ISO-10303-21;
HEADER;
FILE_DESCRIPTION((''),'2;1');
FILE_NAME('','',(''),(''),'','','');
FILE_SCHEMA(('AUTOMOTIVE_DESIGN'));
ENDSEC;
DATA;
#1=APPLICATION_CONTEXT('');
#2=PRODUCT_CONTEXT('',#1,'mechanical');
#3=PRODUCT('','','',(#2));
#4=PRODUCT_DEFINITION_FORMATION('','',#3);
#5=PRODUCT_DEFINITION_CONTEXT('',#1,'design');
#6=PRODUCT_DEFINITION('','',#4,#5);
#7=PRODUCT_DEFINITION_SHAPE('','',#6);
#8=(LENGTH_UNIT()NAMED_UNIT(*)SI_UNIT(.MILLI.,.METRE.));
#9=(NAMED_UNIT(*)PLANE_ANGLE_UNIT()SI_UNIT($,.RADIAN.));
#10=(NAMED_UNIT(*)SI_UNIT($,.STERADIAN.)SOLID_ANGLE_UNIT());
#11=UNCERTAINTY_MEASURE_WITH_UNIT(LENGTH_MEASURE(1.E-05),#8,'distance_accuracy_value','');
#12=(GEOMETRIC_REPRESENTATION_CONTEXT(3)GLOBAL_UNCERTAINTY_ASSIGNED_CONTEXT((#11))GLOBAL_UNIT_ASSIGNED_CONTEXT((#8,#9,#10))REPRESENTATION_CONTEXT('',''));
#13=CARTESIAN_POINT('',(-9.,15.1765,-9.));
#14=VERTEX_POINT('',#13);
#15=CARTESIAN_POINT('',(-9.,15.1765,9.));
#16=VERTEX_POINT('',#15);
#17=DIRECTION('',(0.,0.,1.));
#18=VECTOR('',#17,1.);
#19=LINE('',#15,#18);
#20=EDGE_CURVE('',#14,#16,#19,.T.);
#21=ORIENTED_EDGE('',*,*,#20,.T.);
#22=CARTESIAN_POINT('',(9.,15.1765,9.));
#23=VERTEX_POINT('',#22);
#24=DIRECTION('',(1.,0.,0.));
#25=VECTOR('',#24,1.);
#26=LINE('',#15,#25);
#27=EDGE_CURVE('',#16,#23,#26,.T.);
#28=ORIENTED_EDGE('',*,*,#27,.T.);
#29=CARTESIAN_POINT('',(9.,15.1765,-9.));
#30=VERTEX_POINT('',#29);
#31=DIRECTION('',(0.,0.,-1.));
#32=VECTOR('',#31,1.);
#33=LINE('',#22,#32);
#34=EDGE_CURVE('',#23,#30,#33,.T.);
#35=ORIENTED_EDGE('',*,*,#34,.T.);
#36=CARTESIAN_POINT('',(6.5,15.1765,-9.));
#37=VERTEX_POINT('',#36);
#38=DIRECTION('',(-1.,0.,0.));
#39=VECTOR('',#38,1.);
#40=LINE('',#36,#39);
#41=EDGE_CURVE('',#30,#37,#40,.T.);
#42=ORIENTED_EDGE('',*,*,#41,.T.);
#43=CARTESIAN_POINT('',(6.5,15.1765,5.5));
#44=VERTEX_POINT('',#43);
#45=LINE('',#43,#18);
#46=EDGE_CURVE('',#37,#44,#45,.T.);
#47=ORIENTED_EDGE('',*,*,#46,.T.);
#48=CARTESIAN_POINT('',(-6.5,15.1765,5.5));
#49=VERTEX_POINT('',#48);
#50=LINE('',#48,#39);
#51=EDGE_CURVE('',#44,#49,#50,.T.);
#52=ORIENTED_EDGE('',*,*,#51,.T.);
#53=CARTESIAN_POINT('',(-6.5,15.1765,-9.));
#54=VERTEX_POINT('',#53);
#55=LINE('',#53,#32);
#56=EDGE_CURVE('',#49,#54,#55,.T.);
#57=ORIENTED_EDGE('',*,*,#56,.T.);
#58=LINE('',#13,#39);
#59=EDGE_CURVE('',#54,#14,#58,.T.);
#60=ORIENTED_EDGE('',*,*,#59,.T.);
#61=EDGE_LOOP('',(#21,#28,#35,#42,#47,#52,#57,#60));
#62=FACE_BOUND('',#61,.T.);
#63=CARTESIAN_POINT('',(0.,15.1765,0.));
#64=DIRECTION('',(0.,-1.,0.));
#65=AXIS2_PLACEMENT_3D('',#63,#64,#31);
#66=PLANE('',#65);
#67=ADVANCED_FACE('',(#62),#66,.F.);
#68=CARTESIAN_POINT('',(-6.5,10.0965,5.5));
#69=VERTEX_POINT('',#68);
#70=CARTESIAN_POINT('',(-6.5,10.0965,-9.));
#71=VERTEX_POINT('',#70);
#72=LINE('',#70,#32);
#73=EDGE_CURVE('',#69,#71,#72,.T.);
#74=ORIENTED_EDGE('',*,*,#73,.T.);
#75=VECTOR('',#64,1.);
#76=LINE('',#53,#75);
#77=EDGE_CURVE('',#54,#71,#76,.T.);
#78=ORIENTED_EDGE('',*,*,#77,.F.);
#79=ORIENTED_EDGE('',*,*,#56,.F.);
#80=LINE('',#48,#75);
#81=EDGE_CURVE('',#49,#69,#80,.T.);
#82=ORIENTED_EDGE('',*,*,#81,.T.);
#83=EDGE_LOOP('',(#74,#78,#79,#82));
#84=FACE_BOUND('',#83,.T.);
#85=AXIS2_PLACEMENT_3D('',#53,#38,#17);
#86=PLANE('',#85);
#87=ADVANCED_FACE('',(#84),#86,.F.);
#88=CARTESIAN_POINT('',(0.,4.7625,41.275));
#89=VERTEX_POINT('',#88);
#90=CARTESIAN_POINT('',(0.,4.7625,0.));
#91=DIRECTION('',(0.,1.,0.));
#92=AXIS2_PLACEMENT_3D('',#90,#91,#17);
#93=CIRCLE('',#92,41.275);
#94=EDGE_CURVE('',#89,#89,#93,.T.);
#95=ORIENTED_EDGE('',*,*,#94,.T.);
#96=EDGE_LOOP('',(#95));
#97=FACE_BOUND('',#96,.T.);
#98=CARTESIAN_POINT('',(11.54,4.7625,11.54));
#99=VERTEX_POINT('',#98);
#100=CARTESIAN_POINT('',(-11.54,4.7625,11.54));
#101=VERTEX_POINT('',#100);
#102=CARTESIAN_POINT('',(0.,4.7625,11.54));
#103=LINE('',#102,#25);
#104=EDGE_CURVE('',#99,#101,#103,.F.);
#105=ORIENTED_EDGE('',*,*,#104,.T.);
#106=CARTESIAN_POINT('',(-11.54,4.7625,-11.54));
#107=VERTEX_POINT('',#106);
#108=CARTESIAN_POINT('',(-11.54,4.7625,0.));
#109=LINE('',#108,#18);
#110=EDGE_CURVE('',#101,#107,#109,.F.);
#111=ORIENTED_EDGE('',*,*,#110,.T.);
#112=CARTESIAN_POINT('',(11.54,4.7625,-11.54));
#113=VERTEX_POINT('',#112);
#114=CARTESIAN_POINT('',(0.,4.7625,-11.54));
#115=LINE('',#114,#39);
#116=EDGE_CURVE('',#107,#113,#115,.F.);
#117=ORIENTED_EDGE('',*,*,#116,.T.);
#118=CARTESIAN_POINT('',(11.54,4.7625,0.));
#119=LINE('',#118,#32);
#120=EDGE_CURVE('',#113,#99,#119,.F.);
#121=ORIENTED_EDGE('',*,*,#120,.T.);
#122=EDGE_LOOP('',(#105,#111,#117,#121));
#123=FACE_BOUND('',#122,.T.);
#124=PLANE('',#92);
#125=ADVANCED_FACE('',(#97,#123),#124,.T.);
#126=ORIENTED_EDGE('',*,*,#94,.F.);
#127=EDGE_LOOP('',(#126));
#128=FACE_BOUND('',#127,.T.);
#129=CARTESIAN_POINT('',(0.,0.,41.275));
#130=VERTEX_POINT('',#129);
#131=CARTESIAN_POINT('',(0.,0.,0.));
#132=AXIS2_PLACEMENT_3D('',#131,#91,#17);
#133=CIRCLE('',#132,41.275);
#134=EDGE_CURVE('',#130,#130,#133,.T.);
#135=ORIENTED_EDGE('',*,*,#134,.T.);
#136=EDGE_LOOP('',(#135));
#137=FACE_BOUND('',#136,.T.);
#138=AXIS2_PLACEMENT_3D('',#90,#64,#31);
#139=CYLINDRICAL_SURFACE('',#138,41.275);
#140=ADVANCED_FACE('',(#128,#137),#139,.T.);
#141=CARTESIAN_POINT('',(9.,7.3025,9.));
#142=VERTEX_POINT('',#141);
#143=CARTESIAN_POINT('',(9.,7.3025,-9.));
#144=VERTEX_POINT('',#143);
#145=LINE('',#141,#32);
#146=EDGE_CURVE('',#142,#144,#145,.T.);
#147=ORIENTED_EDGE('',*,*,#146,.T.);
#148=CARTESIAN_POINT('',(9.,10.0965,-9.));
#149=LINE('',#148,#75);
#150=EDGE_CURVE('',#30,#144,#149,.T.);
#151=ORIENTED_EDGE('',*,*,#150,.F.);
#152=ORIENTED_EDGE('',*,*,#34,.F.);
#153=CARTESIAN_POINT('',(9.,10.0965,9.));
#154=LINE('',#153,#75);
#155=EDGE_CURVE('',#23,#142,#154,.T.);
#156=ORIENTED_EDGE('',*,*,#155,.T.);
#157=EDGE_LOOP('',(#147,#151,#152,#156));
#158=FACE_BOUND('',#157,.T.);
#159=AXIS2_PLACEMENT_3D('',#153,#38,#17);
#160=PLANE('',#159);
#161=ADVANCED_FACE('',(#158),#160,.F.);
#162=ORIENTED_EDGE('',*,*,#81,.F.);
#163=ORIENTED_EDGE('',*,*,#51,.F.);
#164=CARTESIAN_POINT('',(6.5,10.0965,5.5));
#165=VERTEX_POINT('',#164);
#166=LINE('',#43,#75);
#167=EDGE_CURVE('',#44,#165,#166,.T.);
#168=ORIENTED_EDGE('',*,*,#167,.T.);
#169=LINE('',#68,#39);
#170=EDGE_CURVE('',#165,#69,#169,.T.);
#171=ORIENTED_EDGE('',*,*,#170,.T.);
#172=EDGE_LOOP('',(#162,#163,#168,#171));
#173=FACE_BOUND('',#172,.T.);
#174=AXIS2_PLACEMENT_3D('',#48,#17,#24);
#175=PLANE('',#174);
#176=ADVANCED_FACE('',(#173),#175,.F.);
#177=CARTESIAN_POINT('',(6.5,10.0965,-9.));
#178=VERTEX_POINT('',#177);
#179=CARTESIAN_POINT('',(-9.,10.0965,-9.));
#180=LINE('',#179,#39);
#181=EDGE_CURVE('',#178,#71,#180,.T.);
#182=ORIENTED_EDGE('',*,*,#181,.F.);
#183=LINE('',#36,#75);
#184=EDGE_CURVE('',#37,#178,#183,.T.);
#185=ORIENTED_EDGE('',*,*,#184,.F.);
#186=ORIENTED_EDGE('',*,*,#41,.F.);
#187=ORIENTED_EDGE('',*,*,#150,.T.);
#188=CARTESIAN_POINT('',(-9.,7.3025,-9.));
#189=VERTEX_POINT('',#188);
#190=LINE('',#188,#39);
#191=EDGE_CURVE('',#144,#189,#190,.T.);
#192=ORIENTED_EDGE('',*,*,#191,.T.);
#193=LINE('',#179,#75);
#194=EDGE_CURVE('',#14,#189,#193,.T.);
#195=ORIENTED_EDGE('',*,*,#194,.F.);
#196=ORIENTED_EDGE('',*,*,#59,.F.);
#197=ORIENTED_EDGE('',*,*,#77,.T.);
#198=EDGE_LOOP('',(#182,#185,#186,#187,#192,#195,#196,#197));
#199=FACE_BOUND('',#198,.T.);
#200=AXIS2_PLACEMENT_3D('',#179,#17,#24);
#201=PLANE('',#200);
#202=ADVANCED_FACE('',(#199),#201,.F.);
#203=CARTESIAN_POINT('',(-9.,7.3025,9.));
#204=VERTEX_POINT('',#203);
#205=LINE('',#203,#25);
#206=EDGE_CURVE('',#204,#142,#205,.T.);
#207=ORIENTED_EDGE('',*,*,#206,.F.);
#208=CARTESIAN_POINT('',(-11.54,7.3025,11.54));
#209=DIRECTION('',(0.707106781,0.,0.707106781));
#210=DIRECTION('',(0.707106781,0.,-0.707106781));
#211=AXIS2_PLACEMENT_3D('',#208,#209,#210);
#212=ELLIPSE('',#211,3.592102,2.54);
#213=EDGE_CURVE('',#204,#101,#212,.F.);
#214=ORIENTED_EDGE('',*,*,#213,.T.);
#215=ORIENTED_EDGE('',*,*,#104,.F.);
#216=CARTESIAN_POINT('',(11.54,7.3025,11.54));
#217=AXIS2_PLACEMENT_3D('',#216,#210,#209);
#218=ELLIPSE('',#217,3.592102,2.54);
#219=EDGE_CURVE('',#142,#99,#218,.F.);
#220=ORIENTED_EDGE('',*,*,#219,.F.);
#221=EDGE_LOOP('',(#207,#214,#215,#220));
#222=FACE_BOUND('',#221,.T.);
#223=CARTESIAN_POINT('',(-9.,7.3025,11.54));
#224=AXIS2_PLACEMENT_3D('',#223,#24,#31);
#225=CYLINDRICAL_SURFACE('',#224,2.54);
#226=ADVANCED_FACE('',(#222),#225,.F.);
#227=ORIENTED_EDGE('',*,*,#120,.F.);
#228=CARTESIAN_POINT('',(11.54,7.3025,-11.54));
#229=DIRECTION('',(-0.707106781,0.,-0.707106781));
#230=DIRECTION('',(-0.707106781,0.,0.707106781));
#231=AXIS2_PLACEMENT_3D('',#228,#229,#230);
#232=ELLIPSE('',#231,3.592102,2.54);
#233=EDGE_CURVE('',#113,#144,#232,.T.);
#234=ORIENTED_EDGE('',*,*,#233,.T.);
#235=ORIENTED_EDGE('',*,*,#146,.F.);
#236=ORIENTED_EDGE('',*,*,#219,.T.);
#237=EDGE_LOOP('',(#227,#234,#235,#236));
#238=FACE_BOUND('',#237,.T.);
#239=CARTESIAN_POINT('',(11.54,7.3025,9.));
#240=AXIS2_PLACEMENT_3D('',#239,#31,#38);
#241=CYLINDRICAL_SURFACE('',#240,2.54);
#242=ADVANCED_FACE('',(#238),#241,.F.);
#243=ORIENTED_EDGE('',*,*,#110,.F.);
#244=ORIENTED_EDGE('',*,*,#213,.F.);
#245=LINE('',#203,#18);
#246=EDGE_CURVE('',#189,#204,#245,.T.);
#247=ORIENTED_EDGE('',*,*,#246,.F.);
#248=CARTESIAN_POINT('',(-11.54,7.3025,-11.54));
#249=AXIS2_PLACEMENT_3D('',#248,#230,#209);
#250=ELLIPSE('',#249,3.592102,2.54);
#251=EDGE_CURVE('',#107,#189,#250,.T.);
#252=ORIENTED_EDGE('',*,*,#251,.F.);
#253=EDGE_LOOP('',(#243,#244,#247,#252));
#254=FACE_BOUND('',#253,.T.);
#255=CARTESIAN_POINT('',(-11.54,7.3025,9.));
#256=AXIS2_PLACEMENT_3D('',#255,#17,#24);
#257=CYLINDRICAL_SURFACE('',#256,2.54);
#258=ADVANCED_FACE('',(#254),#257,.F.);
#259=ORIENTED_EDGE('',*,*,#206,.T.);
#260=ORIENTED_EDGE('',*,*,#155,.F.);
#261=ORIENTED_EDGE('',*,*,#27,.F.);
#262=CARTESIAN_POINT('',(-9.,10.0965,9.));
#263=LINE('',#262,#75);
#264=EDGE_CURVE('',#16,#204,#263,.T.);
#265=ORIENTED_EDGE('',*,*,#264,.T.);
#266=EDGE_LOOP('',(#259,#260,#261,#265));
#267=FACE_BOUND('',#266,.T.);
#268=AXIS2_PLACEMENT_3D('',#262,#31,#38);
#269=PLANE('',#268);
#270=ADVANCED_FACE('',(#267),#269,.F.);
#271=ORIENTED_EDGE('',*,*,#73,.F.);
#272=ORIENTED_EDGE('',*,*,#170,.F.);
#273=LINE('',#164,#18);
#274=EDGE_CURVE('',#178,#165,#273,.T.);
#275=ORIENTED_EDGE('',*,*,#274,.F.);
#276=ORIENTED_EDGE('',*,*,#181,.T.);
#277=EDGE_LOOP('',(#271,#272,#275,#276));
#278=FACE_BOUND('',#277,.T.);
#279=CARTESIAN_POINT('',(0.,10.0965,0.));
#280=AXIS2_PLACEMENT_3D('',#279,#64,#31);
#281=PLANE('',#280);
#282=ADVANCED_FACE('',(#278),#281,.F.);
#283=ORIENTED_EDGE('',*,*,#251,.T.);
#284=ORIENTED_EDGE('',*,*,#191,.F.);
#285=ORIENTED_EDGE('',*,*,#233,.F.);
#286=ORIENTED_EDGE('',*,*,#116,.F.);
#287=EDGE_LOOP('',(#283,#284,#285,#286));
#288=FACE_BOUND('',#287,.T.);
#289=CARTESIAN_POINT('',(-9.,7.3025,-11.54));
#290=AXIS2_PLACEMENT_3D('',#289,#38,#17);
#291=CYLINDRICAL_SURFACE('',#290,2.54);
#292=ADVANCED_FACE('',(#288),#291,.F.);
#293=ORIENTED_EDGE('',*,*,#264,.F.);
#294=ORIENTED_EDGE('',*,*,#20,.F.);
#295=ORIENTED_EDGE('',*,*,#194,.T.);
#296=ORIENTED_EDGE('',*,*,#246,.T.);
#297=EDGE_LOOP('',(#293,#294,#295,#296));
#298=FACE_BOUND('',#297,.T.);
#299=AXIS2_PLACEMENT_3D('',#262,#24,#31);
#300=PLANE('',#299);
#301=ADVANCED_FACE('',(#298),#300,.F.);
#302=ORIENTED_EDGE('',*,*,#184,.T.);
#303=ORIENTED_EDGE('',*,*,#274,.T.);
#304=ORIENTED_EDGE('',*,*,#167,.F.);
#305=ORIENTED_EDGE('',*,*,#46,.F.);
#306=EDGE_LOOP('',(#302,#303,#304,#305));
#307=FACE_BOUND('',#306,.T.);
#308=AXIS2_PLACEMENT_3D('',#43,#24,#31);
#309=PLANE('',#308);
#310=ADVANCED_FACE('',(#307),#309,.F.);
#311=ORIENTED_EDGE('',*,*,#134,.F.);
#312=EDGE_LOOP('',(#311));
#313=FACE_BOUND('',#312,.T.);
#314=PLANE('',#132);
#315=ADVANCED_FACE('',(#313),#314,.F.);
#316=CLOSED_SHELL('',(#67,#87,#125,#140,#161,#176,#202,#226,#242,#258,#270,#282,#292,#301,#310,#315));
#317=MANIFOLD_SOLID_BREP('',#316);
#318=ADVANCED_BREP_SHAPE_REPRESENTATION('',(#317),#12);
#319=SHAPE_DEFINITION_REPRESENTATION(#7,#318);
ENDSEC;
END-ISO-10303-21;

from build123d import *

# Parameters (mm, degrees)
SKETCH1_R           = 41.275
BOSS_EXTRUDE1_DEPTH = 4.7625
SKETCH2_W           = 18
SKETCH2_H           = 18
BOSS_EXTRUDE2_DEPTH = 5.334
FILLET1_R           = 2.54
BOSS_EXTRUDE3_DEPTH = 5.08


with BuildPart() as part:
    # Sketch1 → Boss-Extrude1 (new body)
    with BuildSketch(Plane(origin=(0, 0, 0), x_dir=(1, 0, 0), z_dir=(0, 1, 0))):
        Circle(SKETCH1_R)
    extrude(amount=BOSS_EXTRUDE1_DEPTH)

    # Sketch2 → Boss-Extrude2 (add)
    with BuildSketch(Plane(origin=(0, 4.7625, 0), x_dir=(1, 0, 0), z_dir=(0, 1, 0))):
        Rectangle(SKETCH2_W, SKETCH2_H)
    extrude(amount=BOSS_EXTRUDE2_DEPTH)

    # Fillet1
    fillet1_edges = [part.edges().sort_by_distance(p)[0] for p in [
        (9, 4.7625, 0),
        (0, 4.7625, -9),
        (-9, 4.7625, 0),
        (0, 4.7625, 9),
    ]]
    fillet(fillet1_edges, radius=FILLET1_R)

    # Sketch3 → Boss-Extrude3 (add)
    with BuildSketch(Plane(origin=(0, 10.0965, 0), x_dir=(1, 0, 0), z_dir=(0, 1, 0))):
        Polygon((-9, -9), (9, -9), (9, 9), (6.5, 9), (6.5, -5.5), (-6.5, -5.5), (-6.5, 9), (-9, 9), align=None)
    extrude(amount=BOSS_EXTRUDE3_DEPTH)


solid = part.part
